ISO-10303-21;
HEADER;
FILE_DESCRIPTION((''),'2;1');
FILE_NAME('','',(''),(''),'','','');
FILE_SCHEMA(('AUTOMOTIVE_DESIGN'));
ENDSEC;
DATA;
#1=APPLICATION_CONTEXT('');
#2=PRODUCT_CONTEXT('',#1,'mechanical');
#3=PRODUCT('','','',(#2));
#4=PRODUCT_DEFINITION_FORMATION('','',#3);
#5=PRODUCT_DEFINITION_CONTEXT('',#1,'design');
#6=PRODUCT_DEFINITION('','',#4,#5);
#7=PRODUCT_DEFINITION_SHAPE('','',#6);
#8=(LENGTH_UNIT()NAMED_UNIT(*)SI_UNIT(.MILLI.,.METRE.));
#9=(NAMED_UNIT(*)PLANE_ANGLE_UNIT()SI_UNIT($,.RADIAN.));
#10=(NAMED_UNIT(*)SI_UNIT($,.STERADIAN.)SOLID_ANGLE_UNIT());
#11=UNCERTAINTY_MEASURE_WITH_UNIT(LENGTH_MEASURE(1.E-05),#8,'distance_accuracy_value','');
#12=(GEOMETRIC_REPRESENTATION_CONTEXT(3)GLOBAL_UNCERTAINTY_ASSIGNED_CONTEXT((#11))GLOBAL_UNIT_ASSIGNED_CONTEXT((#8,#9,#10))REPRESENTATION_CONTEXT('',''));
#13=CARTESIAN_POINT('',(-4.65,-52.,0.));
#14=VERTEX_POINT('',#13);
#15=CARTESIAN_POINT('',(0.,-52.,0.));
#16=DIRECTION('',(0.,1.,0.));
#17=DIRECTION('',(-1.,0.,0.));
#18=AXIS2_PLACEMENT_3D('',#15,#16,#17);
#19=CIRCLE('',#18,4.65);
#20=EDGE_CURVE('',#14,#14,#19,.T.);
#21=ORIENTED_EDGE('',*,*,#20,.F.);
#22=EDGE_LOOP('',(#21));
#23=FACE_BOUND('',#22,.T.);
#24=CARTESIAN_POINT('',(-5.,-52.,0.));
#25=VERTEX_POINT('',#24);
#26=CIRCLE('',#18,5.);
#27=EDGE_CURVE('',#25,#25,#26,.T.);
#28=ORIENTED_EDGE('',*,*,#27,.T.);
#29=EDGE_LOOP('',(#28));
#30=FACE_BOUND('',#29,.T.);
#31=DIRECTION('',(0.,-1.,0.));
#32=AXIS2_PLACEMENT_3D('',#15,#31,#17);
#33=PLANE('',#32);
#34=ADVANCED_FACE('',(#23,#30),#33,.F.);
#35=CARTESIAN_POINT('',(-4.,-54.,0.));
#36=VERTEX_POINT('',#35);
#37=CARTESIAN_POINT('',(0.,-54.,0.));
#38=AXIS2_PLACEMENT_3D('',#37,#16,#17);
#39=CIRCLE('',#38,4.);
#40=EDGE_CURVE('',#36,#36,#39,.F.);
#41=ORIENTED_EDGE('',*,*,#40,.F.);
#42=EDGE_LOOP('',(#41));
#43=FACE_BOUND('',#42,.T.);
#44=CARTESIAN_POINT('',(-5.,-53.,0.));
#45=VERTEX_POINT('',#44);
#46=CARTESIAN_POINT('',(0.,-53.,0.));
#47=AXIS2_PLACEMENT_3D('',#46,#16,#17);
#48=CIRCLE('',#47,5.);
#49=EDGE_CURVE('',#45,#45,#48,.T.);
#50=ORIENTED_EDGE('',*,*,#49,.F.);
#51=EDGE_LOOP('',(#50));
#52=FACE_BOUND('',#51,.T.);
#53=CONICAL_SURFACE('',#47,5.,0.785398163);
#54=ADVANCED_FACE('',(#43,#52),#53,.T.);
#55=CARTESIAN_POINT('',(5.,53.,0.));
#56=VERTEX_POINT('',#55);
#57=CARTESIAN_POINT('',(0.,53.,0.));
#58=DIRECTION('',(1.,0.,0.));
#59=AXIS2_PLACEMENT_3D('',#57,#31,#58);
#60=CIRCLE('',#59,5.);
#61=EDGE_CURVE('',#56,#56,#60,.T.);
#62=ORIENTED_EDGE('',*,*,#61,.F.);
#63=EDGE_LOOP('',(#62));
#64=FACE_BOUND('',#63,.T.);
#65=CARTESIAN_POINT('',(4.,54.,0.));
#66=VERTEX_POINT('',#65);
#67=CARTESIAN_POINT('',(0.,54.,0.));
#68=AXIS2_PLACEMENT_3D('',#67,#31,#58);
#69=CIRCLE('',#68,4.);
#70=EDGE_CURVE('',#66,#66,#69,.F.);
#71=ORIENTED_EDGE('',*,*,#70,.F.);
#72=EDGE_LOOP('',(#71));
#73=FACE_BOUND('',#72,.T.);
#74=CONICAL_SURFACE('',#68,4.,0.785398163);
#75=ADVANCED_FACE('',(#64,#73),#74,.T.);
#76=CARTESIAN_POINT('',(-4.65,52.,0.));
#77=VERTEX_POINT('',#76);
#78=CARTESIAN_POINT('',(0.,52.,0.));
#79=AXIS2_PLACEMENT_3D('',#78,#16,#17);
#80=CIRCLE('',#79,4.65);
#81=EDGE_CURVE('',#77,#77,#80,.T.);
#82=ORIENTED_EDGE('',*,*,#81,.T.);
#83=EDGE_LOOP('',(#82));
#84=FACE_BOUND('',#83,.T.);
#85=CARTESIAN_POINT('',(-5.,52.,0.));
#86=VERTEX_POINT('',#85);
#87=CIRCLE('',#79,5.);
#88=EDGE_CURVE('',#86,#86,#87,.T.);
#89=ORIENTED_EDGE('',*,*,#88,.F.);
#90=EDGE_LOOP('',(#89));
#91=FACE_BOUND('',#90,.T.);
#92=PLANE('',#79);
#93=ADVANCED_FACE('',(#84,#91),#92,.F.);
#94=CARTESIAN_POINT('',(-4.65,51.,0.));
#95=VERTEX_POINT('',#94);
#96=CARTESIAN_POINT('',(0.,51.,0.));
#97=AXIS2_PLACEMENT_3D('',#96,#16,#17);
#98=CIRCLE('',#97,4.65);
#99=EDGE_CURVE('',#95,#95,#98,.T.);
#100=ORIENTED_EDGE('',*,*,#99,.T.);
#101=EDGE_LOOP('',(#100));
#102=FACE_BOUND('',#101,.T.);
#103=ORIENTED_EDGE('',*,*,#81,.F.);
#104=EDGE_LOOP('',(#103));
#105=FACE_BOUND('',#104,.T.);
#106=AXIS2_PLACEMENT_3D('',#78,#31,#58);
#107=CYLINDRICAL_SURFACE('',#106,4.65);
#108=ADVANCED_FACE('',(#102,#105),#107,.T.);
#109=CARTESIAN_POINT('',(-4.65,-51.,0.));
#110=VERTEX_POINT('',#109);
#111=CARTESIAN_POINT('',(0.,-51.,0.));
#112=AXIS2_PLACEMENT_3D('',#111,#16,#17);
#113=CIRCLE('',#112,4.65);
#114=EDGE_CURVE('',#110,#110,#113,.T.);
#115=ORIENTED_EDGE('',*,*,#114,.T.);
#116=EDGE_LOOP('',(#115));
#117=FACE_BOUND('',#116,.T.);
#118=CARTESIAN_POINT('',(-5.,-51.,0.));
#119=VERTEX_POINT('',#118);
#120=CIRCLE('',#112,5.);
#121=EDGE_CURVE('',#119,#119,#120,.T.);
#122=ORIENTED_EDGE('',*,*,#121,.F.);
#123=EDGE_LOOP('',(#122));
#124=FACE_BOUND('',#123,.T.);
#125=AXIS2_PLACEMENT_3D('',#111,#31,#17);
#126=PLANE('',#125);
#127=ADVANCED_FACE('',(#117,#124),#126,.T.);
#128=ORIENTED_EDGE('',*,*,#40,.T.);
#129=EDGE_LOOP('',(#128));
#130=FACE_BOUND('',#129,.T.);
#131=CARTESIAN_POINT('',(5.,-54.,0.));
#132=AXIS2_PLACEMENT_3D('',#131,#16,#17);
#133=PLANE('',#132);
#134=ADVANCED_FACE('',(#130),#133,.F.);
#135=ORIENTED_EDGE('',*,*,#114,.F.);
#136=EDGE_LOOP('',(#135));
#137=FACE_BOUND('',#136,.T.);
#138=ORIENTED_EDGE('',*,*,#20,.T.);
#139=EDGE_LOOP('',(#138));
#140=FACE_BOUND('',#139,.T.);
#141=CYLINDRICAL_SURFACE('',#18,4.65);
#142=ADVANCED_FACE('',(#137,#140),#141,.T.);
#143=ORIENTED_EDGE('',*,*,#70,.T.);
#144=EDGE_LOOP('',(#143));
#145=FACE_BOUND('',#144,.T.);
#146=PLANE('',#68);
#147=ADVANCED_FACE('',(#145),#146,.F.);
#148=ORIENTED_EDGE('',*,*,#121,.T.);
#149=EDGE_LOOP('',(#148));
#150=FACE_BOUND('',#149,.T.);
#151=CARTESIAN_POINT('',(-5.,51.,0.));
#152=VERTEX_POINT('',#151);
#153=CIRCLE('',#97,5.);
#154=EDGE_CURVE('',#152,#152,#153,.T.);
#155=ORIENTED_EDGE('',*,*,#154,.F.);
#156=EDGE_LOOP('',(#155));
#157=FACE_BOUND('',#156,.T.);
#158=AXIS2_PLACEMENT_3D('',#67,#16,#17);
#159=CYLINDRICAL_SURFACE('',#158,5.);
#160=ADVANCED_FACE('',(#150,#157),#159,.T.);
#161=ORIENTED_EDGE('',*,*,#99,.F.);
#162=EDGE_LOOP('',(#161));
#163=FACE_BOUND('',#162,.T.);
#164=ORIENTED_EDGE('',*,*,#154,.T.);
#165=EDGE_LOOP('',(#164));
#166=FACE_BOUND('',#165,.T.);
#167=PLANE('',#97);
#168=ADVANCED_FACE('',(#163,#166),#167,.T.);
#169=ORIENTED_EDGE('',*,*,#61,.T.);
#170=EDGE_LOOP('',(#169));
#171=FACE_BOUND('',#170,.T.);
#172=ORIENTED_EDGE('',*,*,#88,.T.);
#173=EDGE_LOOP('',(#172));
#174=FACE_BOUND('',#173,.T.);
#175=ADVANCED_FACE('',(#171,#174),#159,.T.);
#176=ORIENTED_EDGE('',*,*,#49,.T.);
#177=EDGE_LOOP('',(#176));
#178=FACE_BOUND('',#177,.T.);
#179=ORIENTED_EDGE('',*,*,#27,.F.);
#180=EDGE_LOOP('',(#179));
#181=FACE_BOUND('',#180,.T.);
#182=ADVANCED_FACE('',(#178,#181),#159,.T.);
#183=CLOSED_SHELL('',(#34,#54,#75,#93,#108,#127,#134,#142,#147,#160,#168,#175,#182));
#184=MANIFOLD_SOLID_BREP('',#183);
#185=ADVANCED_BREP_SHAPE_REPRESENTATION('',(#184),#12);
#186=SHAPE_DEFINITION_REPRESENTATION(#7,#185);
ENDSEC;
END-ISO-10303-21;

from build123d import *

# Parameters (mm, degrees)
CHAMFER_1_SIZE      = 1
CUT_EXTRUDE_START   = -3
SKETCH_2_R          = 5
SKETCH_2_R_2        = 4.65
CUT_EXTRUDE_1_DEPTH = 1


with BuildPart() as part:
    # 草图1 → 旋转1 (revolve)
    with BuildSketch(Plane.XY, mode=Mode.PRIVATE) as revolve_1_sk:
        Polygon((0, 54), (5, 54), (5, 15), (5, -15), (5, -54), (0, -54), align=None)
    revolve(revolve_1_sk.sketch.rotate(Axis((0, 54, 0), (0, -1, 0)), 180), axis=Axis((0, 54, 0), (0, -1, 0)))

    # 倒角1
    chamfer_1_edges = [part.edges().sort_by_distance(p)[0] for p in [
        (5, -54, 0),
        (5, 54, 0),
    ]]
    chamfer(chamfer_1_edges, length=CHAMFER_1_SIZE)

    # 草图2 → 切除-拉伸1 (cut)
    with BuildSketch(Plane(origin=(0, 54, 0), x_dir=(1, 0, 0), z_dir=(0, 1, 0)).offset(CUT_EXTRUDE_START)):
        with Locations(Location((0, 0, 0), (0, 0, 180))):
            Circle(SKETCH_2_R)
        with Locations(Location((0, 0, 0), (0, 0, 180))):
            Circle(SKETCH_2_R_2, mode=Mode.SUBTRACT)
    cut_extrude_1 = extrude(amount=CUT_EXTRUDE_1_DEPTH, mode=Mode.SUBTRACT)

    # 镜向1: 切除-拉伸1 across plane
    add(cut_extrude_1.mirror(Plane.ZX), mode=Mode.SUBTRACT)


solid = part.part
